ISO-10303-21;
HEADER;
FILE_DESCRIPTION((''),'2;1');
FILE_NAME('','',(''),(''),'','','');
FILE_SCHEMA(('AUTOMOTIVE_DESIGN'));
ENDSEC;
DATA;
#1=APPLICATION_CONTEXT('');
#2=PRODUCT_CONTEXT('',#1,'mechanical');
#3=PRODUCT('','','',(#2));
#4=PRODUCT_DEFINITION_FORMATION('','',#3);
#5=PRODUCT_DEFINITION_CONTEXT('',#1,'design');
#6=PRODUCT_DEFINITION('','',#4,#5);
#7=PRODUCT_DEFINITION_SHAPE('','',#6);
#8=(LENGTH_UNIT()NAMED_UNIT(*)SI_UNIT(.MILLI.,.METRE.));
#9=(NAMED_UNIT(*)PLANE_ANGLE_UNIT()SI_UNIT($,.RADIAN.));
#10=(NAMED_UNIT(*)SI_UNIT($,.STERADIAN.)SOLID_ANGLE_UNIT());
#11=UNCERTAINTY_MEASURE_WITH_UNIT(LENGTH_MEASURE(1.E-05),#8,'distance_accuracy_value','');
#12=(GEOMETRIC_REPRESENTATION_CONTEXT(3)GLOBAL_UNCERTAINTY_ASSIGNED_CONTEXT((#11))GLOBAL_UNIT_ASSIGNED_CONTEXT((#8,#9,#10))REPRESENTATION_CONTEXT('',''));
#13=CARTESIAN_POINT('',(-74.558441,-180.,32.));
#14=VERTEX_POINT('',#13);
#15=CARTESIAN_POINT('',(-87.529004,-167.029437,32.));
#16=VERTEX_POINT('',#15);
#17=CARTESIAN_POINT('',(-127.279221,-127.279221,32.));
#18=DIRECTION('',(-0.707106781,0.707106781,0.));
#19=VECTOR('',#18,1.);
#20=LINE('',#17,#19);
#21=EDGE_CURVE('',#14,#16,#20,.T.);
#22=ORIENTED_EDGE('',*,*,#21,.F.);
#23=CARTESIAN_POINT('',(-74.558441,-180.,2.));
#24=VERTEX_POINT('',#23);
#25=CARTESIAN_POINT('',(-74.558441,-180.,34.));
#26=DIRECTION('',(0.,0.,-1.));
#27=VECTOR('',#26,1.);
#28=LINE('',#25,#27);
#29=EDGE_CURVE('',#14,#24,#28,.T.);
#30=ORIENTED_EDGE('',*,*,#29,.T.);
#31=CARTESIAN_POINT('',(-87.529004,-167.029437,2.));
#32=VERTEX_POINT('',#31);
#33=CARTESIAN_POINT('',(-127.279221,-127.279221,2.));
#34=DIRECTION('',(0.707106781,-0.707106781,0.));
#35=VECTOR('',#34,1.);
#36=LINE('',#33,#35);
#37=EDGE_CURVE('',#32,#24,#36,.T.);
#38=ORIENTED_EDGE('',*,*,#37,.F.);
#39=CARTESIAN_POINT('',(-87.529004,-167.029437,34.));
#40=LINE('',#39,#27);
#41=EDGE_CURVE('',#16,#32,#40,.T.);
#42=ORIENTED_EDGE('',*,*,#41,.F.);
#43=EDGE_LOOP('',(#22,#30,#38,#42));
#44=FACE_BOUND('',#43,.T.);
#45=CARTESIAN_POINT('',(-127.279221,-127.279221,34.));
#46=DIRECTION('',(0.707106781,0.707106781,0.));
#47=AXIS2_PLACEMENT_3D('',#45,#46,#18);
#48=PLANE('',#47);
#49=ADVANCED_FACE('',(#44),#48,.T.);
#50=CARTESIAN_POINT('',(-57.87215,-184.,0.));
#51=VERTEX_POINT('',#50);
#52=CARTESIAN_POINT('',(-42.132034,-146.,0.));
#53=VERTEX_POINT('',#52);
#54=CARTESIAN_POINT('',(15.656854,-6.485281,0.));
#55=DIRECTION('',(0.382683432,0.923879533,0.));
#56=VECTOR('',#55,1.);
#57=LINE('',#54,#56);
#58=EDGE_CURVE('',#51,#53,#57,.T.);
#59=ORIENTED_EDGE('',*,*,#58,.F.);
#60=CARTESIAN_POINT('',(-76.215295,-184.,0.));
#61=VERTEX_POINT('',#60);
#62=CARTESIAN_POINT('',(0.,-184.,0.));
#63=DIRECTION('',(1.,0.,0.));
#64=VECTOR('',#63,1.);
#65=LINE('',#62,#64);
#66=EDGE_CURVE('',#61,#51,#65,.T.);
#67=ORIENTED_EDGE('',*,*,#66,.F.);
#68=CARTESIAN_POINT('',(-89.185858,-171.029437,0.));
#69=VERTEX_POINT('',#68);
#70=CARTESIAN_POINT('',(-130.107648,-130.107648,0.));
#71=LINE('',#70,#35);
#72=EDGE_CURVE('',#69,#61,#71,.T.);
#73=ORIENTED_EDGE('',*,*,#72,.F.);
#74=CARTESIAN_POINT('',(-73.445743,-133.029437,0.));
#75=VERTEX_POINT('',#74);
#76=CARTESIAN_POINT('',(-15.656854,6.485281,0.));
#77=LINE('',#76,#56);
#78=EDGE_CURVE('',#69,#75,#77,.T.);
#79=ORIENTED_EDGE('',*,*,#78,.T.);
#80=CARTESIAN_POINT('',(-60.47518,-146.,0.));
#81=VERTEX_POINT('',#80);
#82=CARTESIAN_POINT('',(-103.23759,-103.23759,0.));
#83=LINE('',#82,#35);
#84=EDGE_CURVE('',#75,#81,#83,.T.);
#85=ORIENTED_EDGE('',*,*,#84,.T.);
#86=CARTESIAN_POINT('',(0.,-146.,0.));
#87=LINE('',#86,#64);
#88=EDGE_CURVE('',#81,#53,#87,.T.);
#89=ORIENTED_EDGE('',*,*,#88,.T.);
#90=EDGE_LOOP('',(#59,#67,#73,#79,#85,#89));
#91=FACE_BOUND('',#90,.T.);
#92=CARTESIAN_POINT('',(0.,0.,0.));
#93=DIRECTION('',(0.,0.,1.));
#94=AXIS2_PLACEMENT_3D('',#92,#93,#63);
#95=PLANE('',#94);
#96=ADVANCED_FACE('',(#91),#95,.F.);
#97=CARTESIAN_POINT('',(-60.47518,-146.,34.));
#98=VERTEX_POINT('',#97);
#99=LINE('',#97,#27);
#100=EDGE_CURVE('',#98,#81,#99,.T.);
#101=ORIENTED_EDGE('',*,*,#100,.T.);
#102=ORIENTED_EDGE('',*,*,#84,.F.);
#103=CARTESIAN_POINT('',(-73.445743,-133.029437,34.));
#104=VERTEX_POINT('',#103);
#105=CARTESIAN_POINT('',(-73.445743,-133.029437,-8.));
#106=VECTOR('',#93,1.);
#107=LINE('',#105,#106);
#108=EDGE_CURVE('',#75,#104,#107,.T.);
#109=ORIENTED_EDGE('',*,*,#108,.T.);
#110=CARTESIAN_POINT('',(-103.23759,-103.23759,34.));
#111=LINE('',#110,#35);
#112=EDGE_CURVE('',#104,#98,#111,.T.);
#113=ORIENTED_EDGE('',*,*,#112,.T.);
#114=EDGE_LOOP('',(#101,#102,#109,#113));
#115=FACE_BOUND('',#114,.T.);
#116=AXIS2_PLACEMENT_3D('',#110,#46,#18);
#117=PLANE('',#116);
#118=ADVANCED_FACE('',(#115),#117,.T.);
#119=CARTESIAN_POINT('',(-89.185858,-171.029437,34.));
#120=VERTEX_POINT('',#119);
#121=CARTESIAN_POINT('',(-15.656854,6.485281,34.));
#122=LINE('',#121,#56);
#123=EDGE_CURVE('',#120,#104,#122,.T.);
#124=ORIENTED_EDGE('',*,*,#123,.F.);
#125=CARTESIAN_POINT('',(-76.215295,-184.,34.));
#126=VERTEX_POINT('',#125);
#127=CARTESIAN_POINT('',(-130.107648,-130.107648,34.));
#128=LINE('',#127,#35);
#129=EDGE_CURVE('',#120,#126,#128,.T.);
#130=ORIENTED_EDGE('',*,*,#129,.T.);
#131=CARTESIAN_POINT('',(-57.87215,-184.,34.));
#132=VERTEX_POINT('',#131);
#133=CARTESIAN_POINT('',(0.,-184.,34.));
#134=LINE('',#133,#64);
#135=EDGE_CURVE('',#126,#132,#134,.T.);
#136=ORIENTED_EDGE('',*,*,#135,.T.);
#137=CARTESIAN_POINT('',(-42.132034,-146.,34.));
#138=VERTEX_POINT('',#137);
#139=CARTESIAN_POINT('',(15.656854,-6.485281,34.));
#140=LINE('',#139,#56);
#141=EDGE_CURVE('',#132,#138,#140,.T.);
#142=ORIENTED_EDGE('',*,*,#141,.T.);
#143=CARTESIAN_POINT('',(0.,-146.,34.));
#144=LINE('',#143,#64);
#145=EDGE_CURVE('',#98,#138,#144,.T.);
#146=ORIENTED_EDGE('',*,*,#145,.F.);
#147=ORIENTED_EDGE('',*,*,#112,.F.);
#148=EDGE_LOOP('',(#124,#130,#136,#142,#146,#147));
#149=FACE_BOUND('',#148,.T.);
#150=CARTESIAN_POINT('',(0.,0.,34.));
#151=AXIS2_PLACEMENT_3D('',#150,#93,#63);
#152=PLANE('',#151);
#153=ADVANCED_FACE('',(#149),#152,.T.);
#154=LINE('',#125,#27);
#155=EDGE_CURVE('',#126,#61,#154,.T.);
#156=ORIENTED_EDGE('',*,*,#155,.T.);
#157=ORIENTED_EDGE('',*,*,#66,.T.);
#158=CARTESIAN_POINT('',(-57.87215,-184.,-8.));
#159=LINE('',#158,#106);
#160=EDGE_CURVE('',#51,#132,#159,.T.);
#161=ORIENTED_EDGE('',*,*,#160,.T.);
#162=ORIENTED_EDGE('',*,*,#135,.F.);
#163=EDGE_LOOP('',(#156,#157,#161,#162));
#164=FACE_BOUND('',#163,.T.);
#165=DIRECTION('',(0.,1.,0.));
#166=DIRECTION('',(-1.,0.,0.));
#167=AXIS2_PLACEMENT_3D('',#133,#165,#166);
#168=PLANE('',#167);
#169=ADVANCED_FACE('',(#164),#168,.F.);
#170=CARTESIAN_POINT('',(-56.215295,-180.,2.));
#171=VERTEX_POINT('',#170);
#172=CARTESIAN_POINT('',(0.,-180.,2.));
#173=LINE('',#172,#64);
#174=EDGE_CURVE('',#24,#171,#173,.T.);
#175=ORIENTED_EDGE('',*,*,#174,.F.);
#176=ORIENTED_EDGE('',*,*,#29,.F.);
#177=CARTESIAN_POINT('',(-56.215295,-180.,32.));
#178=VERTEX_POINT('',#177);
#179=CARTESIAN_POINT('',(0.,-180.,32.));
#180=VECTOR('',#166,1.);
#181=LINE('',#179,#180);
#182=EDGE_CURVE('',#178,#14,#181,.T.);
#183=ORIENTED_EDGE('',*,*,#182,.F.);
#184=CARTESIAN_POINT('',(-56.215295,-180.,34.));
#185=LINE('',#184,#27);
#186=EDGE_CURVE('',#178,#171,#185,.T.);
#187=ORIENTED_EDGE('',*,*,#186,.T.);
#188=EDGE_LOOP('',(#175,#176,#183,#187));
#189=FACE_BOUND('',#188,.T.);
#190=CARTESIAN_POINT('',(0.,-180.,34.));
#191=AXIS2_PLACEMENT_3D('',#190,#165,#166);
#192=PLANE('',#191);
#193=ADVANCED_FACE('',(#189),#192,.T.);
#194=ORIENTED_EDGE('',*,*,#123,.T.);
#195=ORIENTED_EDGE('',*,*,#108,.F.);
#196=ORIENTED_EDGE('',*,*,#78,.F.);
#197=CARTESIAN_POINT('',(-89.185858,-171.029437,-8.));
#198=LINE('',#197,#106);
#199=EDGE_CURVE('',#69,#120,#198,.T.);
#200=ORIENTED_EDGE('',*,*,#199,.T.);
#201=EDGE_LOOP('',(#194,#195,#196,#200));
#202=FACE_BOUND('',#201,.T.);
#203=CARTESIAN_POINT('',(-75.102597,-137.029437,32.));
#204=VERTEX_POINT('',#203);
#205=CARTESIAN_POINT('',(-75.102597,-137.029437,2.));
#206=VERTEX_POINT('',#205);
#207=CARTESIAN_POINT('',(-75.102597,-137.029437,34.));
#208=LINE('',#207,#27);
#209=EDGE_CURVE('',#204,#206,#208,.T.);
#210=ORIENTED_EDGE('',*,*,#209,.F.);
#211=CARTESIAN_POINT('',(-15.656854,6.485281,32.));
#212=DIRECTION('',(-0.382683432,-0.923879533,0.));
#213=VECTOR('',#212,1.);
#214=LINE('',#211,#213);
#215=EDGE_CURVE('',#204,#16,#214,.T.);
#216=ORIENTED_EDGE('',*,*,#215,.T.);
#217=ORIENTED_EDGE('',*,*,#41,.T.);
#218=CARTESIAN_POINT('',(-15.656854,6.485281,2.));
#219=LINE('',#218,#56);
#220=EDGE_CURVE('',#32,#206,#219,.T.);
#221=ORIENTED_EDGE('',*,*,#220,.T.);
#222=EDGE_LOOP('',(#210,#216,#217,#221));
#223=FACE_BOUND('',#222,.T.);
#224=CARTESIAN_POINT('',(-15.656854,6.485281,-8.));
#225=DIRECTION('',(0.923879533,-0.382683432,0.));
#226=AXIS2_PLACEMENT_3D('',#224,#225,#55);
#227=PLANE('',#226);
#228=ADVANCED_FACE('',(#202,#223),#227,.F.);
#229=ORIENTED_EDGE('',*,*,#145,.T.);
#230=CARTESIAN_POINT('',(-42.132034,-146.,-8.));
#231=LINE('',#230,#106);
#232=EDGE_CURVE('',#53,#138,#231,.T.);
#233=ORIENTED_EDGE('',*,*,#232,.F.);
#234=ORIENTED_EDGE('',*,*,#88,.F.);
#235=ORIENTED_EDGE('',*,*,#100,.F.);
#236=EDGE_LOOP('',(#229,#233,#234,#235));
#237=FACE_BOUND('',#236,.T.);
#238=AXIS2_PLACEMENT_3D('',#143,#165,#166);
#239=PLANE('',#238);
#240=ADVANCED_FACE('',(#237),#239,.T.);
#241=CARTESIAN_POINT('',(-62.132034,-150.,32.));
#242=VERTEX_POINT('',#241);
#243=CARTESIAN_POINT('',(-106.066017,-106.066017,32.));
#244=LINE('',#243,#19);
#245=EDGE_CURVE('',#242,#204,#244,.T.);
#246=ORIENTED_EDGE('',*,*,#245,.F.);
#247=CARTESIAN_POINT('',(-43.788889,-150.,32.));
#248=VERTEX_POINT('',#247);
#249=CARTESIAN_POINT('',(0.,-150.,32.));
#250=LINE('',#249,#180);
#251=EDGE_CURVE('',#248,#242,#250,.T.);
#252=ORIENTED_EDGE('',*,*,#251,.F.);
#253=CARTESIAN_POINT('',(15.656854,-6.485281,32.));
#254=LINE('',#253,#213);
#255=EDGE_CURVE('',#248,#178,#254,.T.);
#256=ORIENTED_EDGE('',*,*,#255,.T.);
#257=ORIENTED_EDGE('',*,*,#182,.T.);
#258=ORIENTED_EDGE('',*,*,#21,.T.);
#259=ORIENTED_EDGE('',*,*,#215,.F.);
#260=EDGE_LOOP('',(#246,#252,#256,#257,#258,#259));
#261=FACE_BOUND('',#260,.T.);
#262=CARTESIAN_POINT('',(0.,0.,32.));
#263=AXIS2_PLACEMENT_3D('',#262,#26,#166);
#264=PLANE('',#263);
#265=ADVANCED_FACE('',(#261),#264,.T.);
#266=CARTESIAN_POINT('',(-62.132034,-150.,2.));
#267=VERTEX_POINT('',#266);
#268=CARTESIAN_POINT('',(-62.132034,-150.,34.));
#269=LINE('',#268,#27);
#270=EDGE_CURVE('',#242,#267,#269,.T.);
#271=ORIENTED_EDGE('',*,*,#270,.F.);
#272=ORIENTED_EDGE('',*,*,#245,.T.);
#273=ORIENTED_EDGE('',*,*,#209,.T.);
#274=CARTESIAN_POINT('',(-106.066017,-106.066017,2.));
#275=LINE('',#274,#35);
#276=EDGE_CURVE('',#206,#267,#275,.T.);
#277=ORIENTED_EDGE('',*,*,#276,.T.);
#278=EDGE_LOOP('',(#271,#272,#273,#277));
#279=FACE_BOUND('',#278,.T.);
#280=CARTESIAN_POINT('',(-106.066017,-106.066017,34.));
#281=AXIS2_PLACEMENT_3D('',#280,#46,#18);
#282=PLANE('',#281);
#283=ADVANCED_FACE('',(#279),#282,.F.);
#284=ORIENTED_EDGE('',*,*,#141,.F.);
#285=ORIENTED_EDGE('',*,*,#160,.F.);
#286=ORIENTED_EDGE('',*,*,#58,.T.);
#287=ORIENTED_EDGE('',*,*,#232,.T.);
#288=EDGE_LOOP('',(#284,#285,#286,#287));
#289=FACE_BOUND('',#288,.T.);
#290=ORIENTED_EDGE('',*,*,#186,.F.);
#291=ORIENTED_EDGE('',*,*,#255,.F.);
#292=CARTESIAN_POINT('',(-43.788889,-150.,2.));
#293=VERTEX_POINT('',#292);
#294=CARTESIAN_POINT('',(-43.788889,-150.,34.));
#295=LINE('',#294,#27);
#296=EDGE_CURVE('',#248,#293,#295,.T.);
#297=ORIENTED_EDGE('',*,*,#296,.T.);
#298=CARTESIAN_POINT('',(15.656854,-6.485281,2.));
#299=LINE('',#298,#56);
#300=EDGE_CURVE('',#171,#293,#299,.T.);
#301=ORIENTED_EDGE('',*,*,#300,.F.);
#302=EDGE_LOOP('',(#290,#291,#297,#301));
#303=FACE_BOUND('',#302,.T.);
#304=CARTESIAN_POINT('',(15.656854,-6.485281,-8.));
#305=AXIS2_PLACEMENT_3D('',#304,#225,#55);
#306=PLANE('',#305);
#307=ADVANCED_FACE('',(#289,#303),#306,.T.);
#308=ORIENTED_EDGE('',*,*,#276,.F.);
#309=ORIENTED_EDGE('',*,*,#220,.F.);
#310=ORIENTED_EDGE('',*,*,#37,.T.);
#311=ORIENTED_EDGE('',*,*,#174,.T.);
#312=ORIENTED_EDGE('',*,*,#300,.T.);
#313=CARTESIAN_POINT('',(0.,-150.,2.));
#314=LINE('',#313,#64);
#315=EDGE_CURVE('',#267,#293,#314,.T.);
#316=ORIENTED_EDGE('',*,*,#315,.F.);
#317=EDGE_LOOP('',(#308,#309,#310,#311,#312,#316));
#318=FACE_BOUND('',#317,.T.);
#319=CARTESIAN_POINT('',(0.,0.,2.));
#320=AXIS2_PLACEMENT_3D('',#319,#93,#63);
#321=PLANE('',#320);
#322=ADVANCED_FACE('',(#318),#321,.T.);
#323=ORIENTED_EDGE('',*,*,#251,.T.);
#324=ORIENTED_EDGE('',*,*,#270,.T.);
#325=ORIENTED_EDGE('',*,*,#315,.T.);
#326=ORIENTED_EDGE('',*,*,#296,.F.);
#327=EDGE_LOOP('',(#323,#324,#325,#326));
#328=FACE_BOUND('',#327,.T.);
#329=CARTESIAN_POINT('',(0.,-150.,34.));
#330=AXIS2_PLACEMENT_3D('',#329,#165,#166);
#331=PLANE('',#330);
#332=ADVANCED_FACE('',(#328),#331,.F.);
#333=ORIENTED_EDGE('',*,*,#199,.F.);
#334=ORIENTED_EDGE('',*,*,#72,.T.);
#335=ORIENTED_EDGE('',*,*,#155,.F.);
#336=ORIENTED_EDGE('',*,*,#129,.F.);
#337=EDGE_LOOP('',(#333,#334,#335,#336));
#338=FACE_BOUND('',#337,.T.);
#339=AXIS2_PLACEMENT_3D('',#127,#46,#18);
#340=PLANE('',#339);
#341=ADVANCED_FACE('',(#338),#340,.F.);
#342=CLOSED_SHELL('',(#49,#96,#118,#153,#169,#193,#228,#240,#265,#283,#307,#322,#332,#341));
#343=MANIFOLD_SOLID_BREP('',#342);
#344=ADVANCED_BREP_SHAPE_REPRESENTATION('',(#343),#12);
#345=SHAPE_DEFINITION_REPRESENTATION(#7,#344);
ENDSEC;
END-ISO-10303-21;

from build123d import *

# Parameters (mm, degrees)
RESSALTO_EXTRUS_O1_DEPTH   = 34
RESSALTO_EXTRUS_O1_2_DEPTH = 34
RESSALTO_EXTRUS_O2_DEPTH   = 2
RESSALTO_EXTRUS_O3_START   = 34
RESSALTO_EXTRUS_O3_DEPTH   = 2
CORTE_EXTRUS_O2_DEPTH      = 42


with BuildPart() as part:
    # Esboço1 → Ressalto-extrusão1 (new body)
    with BuildSketch(Plane.XY):
        Polygon((76.215295477, -184), (184, -76.215295477), (184, 76.215295477), (76.215295477, 184), (-76.215295477, 184), (-184, 76.215295477), (-184, -76.215295477), (-76.215295477, -184), align=None)
        Polygon((180, -74.558441227), (180, 74.558441227), (74.558441227, 180), (-74.558441227, 180), (-180, 74.558441227), (-180, -74.558441227), (-74.558441227, -180), (74.558441227, -180), align=None, mode=Mode.SUBTRACT)
    extrude(amount=RESSALTO_EXTRUS_O1_DEPTH)



with BuildPart() as body_2:
    # Esboço1 → Ressalto-extrus_o1 2 (new body)
    with BuildSketch(Plane.XY):
        Polygon((62.132034356, -150), (150, -62.132034356), (150, 62.132034356), (62.132034356, 150), (-62.132034356, 150), (-150, 62.132034356), (-150, -62.132034356), (-62.132034356, -150), align=None)
        Polygon((146, -60.475180106), (146, 60.475180106), (60.475180106, 146), (-60.475180106, 146), (-146, 60.475180106), (-146, -60.475180106), (-60.475180106, -146), (60.475180106, -146), align=None, mode=Mode.SUBTRACT)
    extrude(amount=RESSALTO_EXTRUS_O1_2_DEPTH)


with BuildPart() as part_1:
    add(part.part)

    add(body_2.part)  # Ressalto-extrusão2 merges body 2
    # Esboço1<3> → Ressalto-extrusão2 (add)
    with BuildSketch(Plane.XY):
        Polygon((74.558441227, -180), (180, -74.558441227), (180, 74.558441227), (74.558441227, 180), (-74.558441227, 180), (-180, 74.558441227), (-180, -74.558441227), (-74.558441227, -180), align=None)
        Polygon((150, -62.132034356), (150, 62.132034356), (62.132034356, 150), (-62.132034356, 150), (-150, 62.132034356), (-150, -62.132034356), (-62.132034356, -150), (62.132034356, -150), align=None, mode=Mode.SUBTRACT)
    extrude(amount=RESSALTO_EXTRUS_O2_DEPTH)

    # Esboço1<4> → Ressalto-extrusão3 (add)
    with BuildSketch(Plane.XY.offset(RESSALTO_EXTRUS_O3_START)):
        Polygon((74.558441227, -180), (180, -74.558441227), (180, 74.558441227), (74.558441227, 180), (-74.558441227, 180), (-180, 74.558441227), (-180, -74.558441227), (-74.558441227, -180), align=None)
        Polygon((150, -62.132034356), (150, 62.132034356), (62.132034356, 150), (-62.132034356, 150), (-150, 62.132034356), (-150, -62.132034356), (-62.132034356, -150), (62.132034356, -150), align=None, mode=Mode.SUBTRACT)
    extrude(amount=-RESSALTO_EXTRUS_O3_DEPTH)

    # Esboço5 → Corte-extrusão2 (cut)
    with BuildSketch(Plane.XY.offset(34)):
        Polygon((-42.132034356, -146), (-57.872149726, -184), (76.215295477, -184), (184, -76.215295477), (184, 76.215295477), (76.215295477, 184), (-76.215295477, 184), (-184, 76.215295477), (-184, -76.215295477), (-89.185858225, -171.029437252), (-73.445742855, -133.029437252), (-146, -60.475180106), (-146, 60.475180106), (-60.475180106, 146), (60.475180106, 146), (146, 60.475180106), (146, -60.475180106), (60.475180106, -146), align=None)
    extrude(amount=-CORTE_EXTRUS_O2_DEPTH, mode=Mode.SUBTRACT)


solid = part_1.part
